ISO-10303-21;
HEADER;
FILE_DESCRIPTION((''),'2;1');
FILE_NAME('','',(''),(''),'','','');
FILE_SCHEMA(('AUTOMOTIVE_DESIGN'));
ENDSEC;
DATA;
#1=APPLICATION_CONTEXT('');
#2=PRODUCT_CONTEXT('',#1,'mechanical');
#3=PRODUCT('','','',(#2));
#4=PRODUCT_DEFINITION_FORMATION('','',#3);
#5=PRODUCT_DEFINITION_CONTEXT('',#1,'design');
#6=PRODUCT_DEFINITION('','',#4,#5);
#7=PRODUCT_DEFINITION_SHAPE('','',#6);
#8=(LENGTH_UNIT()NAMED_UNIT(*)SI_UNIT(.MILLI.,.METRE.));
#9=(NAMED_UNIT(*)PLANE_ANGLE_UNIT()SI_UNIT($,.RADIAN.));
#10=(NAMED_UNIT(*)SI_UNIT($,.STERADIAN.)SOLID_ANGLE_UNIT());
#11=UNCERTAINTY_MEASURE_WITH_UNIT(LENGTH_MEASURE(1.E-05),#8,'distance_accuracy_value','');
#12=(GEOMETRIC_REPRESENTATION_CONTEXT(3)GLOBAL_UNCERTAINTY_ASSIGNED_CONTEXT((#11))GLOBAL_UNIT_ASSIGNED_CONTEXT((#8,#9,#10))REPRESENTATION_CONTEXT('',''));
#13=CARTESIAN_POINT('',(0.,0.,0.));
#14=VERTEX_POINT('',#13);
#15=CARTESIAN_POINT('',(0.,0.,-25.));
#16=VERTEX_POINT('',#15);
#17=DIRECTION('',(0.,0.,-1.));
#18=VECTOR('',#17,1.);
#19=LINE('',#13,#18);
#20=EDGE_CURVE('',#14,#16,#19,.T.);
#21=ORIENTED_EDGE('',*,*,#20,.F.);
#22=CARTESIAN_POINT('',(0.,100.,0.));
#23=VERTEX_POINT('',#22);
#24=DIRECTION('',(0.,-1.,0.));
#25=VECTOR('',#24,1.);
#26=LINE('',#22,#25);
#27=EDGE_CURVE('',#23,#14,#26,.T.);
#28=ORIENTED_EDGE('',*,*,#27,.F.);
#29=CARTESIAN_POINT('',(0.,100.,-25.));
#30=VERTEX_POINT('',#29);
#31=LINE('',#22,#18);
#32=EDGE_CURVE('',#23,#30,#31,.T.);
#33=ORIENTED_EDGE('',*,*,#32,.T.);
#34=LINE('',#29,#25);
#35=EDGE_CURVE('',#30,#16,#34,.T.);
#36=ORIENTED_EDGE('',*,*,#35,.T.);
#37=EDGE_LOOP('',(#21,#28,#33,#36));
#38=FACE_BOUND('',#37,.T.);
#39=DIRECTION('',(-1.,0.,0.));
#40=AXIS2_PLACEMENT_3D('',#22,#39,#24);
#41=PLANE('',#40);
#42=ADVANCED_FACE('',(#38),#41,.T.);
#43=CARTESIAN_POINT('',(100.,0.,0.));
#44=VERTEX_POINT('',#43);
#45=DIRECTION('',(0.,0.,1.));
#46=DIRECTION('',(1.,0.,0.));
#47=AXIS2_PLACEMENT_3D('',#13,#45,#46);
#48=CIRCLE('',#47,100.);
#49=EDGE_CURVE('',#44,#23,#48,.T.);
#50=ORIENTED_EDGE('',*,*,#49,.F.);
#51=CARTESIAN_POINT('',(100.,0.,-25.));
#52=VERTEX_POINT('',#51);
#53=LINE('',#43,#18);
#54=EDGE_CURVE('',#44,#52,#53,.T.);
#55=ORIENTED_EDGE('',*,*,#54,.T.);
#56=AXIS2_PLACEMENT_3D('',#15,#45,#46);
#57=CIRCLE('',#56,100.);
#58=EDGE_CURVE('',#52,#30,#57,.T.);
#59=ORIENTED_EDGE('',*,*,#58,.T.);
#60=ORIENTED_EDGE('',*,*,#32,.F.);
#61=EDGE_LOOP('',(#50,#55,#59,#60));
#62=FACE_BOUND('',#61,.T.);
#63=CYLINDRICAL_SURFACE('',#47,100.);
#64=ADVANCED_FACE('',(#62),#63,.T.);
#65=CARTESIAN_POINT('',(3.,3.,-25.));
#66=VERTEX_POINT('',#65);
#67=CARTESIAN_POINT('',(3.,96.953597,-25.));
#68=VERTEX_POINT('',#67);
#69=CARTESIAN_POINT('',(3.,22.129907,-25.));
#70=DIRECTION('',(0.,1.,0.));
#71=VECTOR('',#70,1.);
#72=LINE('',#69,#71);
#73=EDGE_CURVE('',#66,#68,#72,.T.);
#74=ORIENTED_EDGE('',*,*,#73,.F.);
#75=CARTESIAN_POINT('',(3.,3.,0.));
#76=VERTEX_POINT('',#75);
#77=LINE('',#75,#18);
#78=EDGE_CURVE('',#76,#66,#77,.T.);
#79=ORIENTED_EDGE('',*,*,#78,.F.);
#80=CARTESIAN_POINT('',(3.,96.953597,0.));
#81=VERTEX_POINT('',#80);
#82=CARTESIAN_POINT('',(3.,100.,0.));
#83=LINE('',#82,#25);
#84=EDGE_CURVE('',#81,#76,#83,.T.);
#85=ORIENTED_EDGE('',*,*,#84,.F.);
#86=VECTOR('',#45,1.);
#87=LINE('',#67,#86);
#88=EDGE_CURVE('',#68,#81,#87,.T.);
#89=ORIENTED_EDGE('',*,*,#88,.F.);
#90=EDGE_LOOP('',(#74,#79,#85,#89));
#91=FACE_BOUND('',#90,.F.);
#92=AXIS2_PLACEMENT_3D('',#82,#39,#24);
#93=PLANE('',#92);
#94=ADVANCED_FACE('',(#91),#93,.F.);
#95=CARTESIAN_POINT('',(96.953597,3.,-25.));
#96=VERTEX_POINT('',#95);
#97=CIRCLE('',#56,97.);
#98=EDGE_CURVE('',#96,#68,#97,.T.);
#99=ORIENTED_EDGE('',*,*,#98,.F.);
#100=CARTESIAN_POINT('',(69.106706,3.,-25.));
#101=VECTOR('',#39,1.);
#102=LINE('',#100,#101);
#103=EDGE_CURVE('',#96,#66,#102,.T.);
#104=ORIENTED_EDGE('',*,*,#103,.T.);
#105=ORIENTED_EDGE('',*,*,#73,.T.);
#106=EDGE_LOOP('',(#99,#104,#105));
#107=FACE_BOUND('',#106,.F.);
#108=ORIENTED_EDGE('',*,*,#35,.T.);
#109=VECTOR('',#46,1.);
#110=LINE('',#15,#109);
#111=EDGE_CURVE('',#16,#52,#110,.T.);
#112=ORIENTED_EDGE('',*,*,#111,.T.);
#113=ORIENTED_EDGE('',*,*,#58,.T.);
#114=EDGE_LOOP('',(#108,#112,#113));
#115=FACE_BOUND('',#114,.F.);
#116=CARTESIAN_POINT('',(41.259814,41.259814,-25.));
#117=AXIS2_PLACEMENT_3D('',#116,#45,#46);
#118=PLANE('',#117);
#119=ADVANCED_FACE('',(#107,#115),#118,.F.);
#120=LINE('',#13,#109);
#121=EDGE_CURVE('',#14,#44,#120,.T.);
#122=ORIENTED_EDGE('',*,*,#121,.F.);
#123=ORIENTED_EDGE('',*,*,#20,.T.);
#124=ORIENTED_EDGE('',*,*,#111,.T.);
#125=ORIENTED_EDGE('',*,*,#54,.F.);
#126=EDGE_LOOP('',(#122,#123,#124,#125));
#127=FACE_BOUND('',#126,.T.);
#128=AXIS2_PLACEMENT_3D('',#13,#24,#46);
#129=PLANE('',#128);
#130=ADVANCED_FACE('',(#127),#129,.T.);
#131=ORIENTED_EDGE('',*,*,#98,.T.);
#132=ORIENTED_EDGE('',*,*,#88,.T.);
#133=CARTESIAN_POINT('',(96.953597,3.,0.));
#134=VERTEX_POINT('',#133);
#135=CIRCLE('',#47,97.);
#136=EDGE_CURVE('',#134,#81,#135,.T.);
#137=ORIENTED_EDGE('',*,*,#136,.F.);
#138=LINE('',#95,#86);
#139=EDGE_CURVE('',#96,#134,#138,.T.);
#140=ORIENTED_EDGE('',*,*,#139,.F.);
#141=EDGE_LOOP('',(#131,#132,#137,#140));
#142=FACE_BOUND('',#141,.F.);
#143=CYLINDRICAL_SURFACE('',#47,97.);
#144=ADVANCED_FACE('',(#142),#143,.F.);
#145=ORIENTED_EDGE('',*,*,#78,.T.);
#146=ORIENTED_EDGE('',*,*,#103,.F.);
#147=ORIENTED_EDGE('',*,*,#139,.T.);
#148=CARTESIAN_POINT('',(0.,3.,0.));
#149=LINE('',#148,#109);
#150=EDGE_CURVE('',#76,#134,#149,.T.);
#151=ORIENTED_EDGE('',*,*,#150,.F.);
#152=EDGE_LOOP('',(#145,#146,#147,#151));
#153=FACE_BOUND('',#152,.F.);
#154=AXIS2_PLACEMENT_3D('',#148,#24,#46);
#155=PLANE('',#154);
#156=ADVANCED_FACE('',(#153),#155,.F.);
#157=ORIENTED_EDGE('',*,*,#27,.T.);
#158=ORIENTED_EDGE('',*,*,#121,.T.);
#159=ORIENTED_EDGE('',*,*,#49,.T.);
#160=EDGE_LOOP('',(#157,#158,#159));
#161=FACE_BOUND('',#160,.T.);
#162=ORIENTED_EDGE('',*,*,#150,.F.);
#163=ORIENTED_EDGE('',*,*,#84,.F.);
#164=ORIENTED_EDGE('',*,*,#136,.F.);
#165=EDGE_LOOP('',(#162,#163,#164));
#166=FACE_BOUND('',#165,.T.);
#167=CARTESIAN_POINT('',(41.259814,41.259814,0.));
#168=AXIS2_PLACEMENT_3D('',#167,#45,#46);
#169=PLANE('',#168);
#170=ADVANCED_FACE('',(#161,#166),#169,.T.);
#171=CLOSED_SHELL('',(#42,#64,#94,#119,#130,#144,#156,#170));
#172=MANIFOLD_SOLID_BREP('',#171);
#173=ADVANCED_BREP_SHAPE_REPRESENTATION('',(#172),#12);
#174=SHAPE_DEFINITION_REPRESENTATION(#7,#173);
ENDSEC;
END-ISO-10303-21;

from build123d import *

# Parameters (mm, degrees)
F1_DEPTH = 25
F2_T     = -3
F3_DEPTH = 25


with BuildPart() as f1:
    # F0 (on Top) → F1 (new body)
    with BuildSketch(Plane.XY):
        with BuildLine():
            Line((0, 100), (0, 0))
            Line((0, 0), (100, 0))
            ThreePointArc((100, 0), (70.7106781187, 70.7106781187), (0, 100))
        make_face()
    extrude(amount=-F1_DEPTH)

    # F2
    f2_openings = [f1.faces().sort_by_distance(p)[0] for p in [
        (42.441318, 42.441318, 0),
    ]]
    offset(amount=F2_T, openings=f2_openings)

    # F3 (cut): a face of the model
    f3_faces = [f1.faces().sort_by_distance(p)[0] for p in [
        (42.4961878284, 42.4961878284, -22),
    ]]
    extrude(f3_faces, amount=-F3_DEPTH, mode=Mode.SUBTRACT)


solid = f1.part
